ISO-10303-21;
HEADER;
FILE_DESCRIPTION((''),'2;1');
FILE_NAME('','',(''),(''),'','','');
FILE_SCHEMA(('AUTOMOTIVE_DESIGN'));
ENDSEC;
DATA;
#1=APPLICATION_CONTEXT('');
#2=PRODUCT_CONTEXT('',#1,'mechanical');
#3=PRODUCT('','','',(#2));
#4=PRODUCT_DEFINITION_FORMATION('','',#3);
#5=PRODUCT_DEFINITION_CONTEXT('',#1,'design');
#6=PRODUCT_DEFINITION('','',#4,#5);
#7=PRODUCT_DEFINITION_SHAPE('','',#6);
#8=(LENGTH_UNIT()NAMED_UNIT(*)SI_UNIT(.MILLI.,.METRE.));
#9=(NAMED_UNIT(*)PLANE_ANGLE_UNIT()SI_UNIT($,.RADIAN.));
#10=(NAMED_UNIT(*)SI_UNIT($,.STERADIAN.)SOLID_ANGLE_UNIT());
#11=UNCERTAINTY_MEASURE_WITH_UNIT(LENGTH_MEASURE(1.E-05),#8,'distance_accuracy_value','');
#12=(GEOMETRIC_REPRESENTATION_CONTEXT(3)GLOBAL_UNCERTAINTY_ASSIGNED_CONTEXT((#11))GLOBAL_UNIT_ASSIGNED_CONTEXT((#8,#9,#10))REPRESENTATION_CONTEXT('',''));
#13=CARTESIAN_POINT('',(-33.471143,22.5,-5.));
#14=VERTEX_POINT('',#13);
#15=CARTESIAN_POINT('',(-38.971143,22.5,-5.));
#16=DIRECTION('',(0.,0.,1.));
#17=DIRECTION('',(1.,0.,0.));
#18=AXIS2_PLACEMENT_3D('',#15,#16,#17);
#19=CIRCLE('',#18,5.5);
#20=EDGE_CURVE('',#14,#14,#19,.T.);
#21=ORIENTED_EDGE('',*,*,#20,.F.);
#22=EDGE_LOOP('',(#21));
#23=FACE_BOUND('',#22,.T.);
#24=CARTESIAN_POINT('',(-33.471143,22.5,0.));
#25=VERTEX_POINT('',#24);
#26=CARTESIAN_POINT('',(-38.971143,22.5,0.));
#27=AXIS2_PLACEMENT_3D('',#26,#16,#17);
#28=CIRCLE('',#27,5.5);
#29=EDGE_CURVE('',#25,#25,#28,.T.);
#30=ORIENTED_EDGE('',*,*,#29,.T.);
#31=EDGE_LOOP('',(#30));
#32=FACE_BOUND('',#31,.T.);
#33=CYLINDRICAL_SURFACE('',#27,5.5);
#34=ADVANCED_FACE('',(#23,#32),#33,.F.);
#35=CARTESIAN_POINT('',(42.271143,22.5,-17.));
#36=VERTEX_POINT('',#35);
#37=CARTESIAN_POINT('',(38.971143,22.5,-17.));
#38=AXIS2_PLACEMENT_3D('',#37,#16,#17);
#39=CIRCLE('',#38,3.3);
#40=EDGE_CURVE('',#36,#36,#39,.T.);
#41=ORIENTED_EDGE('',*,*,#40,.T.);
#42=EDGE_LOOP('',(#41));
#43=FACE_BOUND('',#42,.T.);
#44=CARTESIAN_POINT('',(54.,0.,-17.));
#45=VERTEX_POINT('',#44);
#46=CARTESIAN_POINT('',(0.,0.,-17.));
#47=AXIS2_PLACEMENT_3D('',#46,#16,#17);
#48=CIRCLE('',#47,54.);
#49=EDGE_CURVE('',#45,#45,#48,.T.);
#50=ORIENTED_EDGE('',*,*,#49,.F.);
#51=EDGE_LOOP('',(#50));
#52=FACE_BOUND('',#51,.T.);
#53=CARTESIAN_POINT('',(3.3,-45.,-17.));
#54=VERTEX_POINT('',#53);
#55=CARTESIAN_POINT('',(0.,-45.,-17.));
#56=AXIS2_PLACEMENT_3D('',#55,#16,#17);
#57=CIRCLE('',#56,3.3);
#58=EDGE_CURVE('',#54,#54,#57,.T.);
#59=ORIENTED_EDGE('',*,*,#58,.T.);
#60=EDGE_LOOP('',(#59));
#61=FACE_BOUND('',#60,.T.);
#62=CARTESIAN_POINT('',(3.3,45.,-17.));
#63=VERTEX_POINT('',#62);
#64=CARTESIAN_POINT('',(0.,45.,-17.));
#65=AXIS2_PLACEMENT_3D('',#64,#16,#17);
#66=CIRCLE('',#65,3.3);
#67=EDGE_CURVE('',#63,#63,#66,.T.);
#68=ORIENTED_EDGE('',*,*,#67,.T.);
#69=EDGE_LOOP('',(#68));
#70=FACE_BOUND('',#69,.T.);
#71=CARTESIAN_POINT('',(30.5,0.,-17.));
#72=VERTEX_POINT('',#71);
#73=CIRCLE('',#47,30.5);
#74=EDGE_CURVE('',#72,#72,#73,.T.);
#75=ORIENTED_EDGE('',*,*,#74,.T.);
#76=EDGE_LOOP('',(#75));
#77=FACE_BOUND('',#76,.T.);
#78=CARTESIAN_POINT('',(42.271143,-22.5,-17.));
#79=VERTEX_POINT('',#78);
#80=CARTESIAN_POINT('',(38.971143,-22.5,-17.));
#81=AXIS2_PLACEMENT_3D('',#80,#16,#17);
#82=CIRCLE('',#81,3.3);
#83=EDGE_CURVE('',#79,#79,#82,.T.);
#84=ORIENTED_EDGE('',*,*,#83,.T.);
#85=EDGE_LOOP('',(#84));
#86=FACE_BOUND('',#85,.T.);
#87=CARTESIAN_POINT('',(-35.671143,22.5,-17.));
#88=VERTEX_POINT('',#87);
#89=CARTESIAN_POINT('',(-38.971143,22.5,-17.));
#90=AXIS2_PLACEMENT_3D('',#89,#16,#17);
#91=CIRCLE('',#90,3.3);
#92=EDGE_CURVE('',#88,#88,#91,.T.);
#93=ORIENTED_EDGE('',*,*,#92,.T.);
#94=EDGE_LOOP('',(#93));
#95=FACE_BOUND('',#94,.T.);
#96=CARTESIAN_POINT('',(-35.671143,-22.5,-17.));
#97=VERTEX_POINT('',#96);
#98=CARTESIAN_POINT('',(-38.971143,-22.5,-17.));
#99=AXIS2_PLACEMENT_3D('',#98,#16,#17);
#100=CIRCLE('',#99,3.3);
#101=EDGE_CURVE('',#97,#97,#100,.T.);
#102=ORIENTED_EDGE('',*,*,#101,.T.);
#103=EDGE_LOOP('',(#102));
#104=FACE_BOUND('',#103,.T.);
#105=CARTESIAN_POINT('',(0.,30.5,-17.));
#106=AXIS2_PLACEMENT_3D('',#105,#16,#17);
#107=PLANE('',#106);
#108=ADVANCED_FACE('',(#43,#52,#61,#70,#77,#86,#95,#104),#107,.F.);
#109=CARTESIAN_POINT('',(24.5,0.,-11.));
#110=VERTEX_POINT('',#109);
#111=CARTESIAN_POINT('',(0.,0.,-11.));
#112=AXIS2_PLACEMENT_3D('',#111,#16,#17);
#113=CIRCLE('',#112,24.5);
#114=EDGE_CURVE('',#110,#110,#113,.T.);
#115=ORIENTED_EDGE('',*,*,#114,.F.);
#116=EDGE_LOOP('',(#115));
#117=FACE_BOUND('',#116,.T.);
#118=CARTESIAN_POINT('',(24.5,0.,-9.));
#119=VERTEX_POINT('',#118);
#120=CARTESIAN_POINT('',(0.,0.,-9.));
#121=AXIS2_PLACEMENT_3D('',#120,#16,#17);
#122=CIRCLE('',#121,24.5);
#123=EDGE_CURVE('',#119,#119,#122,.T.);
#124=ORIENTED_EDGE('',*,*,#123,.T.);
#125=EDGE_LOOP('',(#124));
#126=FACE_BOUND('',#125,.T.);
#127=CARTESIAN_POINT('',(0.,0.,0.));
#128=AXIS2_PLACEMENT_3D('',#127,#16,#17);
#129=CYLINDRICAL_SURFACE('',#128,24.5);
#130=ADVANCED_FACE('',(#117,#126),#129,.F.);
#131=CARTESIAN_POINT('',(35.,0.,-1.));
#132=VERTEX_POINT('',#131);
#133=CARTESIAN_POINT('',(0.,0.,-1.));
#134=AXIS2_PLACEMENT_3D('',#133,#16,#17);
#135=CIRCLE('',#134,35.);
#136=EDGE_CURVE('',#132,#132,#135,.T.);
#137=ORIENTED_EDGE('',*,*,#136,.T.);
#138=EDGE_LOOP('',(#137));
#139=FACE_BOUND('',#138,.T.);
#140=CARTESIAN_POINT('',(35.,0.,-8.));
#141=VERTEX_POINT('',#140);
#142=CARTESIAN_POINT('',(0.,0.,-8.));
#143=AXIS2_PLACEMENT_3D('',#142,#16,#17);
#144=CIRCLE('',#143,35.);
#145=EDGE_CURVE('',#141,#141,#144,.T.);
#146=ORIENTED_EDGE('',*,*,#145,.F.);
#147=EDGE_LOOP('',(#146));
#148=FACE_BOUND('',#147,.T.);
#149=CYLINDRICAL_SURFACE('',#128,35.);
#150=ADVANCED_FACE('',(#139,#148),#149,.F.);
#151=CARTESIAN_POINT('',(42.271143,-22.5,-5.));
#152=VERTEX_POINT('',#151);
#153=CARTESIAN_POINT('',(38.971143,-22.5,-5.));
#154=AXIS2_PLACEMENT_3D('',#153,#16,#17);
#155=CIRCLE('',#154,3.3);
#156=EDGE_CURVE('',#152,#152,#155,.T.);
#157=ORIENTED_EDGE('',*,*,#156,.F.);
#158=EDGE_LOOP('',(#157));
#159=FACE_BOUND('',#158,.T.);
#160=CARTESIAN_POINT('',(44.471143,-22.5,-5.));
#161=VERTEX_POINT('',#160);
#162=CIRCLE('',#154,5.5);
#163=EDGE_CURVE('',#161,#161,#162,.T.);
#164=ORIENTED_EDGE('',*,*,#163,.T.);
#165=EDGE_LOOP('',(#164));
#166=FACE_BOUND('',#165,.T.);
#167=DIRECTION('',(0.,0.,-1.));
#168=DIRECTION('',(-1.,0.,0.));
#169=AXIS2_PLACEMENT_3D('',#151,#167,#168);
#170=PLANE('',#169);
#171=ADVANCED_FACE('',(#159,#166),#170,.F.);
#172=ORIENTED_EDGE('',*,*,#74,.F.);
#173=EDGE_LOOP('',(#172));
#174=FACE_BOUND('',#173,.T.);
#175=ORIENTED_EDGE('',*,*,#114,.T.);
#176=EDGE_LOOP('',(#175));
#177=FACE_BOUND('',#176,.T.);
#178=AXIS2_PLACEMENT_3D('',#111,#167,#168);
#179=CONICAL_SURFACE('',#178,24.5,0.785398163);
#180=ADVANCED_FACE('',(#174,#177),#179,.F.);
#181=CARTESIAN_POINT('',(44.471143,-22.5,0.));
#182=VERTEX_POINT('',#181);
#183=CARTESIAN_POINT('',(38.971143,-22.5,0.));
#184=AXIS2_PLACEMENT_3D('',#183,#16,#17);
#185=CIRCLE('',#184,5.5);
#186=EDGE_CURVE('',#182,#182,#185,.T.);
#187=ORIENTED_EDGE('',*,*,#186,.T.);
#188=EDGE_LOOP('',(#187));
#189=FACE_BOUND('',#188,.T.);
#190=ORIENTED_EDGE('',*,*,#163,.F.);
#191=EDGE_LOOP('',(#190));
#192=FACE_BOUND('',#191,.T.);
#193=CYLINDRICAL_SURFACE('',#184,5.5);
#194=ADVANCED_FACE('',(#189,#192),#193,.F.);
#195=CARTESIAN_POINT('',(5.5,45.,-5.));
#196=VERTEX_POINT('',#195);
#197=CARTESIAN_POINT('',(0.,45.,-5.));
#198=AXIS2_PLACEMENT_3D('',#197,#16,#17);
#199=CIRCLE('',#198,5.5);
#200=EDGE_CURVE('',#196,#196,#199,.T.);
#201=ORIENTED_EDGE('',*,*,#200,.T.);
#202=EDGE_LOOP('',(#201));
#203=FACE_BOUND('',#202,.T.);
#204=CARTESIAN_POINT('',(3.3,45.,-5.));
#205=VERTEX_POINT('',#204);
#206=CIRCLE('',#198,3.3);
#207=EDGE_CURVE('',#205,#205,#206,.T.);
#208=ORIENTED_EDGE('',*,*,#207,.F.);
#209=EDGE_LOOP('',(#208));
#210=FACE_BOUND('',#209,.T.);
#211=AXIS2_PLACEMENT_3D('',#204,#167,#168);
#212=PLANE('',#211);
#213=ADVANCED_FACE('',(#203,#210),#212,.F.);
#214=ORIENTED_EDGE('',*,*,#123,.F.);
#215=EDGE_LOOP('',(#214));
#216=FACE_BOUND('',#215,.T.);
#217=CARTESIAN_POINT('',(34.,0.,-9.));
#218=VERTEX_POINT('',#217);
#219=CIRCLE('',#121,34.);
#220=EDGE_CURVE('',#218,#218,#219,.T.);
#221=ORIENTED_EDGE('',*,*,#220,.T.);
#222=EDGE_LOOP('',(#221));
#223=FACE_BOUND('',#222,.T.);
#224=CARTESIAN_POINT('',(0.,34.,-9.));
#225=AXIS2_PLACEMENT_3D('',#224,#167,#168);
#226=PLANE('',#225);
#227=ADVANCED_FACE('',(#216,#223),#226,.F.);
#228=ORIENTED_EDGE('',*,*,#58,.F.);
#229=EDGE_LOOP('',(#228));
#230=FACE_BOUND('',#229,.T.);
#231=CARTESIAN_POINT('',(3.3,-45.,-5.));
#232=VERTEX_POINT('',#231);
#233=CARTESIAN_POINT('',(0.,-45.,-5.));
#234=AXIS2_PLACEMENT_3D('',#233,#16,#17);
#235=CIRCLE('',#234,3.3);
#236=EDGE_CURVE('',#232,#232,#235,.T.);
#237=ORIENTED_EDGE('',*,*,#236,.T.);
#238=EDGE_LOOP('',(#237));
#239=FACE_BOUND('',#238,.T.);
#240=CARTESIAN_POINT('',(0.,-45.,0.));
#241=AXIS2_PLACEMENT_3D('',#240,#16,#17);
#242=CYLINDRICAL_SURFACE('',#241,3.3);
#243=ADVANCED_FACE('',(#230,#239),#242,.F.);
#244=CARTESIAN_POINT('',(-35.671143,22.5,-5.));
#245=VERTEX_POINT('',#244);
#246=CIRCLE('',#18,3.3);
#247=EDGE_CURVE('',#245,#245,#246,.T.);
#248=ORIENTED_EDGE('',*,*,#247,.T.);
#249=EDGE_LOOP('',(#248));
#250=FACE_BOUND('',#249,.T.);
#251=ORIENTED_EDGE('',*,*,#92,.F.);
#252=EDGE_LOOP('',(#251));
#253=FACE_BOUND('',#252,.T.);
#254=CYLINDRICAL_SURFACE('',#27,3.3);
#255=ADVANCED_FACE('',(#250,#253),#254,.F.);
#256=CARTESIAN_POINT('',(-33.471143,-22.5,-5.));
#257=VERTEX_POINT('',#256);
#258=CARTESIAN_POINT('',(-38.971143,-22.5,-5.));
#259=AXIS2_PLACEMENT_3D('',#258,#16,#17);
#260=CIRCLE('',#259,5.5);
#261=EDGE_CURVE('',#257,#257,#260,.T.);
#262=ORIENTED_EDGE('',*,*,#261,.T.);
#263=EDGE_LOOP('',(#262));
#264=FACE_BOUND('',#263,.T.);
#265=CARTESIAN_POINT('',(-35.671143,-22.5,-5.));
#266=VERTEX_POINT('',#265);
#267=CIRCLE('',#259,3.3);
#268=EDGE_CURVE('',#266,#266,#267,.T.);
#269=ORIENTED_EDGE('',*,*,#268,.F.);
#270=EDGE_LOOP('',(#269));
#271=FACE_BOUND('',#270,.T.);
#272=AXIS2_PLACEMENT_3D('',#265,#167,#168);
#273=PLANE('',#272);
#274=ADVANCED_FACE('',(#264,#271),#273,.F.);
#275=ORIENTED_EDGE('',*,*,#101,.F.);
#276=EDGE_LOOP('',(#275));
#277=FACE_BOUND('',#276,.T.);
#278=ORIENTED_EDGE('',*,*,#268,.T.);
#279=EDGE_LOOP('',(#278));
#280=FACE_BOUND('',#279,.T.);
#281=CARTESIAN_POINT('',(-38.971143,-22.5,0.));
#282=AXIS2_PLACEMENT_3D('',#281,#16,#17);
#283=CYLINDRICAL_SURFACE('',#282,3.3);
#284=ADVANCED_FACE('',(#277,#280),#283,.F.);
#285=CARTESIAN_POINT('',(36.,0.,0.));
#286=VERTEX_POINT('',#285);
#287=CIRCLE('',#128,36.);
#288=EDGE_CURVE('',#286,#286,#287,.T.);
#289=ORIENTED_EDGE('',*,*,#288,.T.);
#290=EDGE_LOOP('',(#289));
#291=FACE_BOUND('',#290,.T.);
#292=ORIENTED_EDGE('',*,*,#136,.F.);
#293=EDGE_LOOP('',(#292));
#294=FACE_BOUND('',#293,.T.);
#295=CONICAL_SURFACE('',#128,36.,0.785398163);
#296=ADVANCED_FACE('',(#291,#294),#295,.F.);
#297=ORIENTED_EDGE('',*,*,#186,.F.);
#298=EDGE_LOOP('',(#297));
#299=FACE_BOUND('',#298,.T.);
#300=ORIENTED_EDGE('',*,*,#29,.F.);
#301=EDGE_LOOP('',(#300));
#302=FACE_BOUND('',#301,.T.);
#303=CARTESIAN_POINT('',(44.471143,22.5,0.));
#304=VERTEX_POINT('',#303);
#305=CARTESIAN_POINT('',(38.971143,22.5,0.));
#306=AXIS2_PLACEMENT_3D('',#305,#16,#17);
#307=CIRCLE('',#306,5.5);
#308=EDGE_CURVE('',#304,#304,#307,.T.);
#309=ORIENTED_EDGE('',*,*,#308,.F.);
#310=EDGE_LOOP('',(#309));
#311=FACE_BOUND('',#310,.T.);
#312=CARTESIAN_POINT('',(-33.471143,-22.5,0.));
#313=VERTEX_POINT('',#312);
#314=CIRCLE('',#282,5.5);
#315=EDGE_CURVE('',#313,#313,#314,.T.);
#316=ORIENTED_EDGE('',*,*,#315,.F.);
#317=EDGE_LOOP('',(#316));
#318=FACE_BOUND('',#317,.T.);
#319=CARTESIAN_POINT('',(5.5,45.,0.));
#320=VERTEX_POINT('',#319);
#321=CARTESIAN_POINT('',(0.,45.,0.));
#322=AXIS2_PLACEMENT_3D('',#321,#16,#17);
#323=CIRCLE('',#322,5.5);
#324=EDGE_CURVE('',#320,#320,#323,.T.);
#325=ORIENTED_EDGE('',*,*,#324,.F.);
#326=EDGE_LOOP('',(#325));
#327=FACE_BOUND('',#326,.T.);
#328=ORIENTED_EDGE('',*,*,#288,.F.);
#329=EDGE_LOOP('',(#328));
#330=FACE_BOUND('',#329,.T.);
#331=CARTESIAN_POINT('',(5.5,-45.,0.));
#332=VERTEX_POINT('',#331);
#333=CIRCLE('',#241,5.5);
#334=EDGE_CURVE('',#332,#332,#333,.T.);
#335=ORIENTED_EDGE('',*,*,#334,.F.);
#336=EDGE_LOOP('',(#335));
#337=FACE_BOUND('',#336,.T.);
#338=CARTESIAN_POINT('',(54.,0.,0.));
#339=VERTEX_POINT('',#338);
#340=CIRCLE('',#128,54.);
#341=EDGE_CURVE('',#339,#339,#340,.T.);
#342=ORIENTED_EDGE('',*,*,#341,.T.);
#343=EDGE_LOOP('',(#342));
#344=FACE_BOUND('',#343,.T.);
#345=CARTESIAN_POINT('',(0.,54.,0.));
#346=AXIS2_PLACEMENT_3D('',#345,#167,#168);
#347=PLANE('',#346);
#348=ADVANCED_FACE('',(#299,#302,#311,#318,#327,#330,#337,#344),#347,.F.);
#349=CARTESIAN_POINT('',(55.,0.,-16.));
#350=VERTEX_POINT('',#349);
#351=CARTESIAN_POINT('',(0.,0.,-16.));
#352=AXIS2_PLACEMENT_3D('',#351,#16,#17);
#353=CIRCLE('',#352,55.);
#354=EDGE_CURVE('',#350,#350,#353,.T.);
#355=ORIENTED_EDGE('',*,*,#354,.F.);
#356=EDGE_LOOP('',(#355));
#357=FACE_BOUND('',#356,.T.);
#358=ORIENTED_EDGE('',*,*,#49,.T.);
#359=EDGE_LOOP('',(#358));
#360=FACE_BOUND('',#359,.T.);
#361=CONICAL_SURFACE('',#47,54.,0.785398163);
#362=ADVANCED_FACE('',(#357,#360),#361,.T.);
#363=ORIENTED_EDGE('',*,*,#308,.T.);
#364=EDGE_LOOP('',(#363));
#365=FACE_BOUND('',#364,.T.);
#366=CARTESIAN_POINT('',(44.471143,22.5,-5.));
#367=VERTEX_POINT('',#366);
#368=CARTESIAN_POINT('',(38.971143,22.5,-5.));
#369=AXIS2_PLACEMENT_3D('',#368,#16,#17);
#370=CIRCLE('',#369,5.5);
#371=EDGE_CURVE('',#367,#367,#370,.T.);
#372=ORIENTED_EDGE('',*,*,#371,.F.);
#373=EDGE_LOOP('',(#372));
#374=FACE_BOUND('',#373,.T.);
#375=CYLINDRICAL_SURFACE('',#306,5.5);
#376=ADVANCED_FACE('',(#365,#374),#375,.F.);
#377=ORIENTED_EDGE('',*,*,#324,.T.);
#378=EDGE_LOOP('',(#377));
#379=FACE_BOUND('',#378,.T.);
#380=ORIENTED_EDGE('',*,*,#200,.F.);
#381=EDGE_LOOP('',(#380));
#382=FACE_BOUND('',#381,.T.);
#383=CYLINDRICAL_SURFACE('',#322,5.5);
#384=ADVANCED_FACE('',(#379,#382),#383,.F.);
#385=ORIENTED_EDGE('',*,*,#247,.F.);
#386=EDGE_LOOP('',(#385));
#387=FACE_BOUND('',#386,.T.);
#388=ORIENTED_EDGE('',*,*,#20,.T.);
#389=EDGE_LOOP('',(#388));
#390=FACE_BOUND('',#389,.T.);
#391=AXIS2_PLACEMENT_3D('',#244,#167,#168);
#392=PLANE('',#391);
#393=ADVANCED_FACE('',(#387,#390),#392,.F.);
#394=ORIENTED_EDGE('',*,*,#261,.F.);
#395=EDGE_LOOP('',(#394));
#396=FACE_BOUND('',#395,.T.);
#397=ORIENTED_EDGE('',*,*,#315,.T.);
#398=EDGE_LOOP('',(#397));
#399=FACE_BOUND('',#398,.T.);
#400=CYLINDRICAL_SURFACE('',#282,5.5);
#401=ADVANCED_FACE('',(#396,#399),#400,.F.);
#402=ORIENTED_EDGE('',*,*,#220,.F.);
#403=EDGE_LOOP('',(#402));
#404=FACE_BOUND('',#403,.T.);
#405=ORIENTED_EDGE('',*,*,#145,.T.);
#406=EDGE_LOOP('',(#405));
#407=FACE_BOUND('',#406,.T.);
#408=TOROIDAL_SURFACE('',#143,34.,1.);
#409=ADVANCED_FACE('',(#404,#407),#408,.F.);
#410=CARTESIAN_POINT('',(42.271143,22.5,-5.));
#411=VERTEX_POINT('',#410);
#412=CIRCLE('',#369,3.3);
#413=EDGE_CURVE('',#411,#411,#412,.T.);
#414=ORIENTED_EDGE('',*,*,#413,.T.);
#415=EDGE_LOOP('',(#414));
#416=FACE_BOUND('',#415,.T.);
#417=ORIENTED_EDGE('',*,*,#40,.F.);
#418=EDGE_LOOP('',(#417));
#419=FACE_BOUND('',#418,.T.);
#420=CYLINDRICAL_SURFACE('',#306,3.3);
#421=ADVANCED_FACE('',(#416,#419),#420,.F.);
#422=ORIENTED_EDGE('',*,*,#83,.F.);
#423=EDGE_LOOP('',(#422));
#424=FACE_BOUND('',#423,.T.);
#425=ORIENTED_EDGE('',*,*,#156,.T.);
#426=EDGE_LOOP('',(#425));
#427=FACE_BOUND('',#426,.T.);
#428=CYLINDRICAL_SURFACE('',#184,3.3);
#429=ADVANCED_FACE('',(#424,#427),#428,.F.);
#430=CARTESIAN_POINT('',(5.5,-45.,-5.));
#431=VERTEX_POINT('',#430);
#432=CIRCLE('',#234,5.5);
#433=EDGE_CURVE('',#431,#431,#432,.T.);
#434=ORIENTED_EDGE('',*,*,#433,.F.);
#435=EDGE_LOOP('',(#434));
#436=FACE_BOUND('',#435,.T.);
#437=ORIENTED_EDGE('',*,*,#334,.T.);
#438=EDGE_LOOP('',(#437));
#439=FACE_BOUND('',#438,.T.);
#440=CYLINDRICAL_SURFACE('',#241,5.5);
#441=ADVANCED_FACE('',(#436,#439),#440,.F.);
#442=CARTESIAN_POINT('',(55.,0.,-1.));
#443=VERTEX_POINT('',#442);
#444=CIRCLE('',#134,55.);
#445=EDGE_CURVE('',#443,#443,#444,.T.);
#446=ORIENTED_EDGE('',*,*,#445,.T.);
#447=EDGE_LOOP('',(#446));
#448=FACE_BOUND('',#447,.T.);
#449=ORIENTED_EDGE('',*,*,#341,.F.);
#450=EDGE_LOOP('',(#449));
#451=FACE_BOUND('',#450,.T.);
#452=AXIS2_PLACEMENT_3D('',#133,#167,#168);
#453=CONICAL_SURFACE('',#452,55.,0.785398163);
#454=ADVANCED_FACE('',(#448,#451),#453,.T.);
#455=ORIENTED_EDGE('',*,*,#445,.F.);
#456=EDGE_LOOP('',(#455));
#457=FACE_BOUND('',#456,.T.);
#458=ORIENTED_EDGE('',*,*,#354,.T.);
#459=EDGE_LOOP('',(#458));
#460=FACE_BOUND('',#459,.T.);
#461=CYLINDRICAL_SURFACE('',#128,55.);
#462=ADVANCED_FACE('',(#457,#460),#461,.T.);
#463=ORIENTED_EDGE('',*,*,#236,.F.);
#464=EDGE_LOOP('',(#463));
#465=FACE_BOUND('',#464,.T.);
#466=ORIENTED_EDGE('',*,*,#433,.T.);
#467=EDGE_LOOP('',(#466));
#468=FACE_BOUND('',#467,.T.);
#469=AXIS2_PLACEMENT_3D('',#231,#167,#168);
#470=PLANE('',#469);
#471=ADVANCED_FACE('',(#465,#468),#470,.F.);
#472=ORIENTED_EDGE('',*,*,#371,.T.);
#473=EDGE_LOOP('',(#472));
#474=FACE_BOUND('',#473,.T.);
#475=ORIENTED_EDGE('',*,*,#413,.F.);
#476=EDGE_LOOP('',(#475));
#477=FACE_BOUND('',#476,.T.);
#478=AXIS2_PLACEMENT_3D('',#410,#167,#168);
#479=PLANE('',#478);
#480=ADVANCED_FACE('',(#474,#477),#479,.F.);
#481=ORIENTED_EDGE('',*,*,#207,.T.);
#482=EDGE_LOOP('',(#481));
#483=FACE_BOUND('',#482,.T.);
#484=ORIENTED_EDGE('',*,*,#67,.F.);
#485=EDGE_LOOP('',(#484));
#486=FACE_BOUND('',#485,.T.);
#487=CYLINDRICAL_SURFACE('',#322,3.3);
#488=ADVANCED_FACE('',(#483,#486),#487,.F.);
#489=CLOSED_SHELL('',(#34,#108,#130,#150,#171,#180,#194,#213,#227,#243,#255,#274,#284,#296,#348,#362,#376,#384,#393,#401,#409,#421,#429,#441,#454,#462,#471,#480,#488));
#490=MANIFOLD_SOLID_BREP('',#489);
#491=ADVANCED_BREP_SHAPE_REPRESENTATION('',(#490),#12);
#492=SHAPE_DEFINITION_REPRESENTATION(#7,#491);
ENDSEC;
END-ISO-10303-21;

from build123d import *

# Parameters (mm, degrees)
CBORE_FOR_M6_HEX_SOCKET_HEAD_CAP_SCREW1_D           = 6.6
CBORE_FOR_M6_HEX_SOCKET_HEAD_CAP_SCREW1_CBORE_D     = 11
CBORE_FOR_M6_HEX_SOCKET_HEAD_CAP_SCREW1_CBORE_DEPTH = 5
CIRPATTERN1_COUNT                                   = 6


with BuildPart() as part:
    # Sketch1 → Revolve1 (revolve)
    with BuildSketch(Plane(origin=(0, 0, 0), x_dir=(0, 0, -1), z_dir=(1, 0, 0)), mode=Mode.PRIVATE) as revolve1_sk:
        with BuildLine():
            Line((9, 24.5), (11, 24.5))
            Line((11, 24.5), (17, 30.5))
            Line((17, 30.5), (17, 54))
            Line((17, 54), (16, 55))
            Line((16, 55), (1, 55))
            Line((1, 55), (0, 54))
            Line((0, 54), (0, 36))
            Line((0, 36), (1, 35))
            Line((1, 35), (8, 35))
            ThreePointArc((8, 35), (8.707106781, 34.707106781), (9, 34))
            Line((9, 34), (9, 24.5))
        make_face()
    revolve(revolve1_sk.sketch.rotate(Axis((0, 0, 0), (0, 0, -1)), 90), axis=Axis((0, 0, 0), (0, 0, -1)))

    # CBORE for M6 Hex Socket Head Cap Screw1 (through all)
    with Locations(Plane.XY):
        with Locations((0, 45)):
            cbore_for_m6_hex_socket_head_cap_screw1 = CounterBoreHole(CBORE_FOR_M6_HEX_SOCKET_HEAD_CAP_SCREW1_D / 2, CBORE_FOR_M6_HEX_SOCKET_HEAD_CAP_SCREW1_CBORE_D / 2, CBORE_FOR_M6_HEX_SOCKET_HEAD_CAP_SCREW1_CBORE_DEPTH)

    # CirPattern1: CBORE for M6 Hex Socket Head Cap Screw1 ×6 about axis
    cirpattern1_axis = Axis((0, 0, 0), (0, 0, 1))
    for i in range(1, CIRPATTERN1_COUNT):
        add(cbore_for_m6_hex_socket_head_cap_screw1.rotate(cirpattern1_axis, i * 360 / CIRPATTERN1_COUNT), mode=Mode.SUBTRACT)


solid = part.part
